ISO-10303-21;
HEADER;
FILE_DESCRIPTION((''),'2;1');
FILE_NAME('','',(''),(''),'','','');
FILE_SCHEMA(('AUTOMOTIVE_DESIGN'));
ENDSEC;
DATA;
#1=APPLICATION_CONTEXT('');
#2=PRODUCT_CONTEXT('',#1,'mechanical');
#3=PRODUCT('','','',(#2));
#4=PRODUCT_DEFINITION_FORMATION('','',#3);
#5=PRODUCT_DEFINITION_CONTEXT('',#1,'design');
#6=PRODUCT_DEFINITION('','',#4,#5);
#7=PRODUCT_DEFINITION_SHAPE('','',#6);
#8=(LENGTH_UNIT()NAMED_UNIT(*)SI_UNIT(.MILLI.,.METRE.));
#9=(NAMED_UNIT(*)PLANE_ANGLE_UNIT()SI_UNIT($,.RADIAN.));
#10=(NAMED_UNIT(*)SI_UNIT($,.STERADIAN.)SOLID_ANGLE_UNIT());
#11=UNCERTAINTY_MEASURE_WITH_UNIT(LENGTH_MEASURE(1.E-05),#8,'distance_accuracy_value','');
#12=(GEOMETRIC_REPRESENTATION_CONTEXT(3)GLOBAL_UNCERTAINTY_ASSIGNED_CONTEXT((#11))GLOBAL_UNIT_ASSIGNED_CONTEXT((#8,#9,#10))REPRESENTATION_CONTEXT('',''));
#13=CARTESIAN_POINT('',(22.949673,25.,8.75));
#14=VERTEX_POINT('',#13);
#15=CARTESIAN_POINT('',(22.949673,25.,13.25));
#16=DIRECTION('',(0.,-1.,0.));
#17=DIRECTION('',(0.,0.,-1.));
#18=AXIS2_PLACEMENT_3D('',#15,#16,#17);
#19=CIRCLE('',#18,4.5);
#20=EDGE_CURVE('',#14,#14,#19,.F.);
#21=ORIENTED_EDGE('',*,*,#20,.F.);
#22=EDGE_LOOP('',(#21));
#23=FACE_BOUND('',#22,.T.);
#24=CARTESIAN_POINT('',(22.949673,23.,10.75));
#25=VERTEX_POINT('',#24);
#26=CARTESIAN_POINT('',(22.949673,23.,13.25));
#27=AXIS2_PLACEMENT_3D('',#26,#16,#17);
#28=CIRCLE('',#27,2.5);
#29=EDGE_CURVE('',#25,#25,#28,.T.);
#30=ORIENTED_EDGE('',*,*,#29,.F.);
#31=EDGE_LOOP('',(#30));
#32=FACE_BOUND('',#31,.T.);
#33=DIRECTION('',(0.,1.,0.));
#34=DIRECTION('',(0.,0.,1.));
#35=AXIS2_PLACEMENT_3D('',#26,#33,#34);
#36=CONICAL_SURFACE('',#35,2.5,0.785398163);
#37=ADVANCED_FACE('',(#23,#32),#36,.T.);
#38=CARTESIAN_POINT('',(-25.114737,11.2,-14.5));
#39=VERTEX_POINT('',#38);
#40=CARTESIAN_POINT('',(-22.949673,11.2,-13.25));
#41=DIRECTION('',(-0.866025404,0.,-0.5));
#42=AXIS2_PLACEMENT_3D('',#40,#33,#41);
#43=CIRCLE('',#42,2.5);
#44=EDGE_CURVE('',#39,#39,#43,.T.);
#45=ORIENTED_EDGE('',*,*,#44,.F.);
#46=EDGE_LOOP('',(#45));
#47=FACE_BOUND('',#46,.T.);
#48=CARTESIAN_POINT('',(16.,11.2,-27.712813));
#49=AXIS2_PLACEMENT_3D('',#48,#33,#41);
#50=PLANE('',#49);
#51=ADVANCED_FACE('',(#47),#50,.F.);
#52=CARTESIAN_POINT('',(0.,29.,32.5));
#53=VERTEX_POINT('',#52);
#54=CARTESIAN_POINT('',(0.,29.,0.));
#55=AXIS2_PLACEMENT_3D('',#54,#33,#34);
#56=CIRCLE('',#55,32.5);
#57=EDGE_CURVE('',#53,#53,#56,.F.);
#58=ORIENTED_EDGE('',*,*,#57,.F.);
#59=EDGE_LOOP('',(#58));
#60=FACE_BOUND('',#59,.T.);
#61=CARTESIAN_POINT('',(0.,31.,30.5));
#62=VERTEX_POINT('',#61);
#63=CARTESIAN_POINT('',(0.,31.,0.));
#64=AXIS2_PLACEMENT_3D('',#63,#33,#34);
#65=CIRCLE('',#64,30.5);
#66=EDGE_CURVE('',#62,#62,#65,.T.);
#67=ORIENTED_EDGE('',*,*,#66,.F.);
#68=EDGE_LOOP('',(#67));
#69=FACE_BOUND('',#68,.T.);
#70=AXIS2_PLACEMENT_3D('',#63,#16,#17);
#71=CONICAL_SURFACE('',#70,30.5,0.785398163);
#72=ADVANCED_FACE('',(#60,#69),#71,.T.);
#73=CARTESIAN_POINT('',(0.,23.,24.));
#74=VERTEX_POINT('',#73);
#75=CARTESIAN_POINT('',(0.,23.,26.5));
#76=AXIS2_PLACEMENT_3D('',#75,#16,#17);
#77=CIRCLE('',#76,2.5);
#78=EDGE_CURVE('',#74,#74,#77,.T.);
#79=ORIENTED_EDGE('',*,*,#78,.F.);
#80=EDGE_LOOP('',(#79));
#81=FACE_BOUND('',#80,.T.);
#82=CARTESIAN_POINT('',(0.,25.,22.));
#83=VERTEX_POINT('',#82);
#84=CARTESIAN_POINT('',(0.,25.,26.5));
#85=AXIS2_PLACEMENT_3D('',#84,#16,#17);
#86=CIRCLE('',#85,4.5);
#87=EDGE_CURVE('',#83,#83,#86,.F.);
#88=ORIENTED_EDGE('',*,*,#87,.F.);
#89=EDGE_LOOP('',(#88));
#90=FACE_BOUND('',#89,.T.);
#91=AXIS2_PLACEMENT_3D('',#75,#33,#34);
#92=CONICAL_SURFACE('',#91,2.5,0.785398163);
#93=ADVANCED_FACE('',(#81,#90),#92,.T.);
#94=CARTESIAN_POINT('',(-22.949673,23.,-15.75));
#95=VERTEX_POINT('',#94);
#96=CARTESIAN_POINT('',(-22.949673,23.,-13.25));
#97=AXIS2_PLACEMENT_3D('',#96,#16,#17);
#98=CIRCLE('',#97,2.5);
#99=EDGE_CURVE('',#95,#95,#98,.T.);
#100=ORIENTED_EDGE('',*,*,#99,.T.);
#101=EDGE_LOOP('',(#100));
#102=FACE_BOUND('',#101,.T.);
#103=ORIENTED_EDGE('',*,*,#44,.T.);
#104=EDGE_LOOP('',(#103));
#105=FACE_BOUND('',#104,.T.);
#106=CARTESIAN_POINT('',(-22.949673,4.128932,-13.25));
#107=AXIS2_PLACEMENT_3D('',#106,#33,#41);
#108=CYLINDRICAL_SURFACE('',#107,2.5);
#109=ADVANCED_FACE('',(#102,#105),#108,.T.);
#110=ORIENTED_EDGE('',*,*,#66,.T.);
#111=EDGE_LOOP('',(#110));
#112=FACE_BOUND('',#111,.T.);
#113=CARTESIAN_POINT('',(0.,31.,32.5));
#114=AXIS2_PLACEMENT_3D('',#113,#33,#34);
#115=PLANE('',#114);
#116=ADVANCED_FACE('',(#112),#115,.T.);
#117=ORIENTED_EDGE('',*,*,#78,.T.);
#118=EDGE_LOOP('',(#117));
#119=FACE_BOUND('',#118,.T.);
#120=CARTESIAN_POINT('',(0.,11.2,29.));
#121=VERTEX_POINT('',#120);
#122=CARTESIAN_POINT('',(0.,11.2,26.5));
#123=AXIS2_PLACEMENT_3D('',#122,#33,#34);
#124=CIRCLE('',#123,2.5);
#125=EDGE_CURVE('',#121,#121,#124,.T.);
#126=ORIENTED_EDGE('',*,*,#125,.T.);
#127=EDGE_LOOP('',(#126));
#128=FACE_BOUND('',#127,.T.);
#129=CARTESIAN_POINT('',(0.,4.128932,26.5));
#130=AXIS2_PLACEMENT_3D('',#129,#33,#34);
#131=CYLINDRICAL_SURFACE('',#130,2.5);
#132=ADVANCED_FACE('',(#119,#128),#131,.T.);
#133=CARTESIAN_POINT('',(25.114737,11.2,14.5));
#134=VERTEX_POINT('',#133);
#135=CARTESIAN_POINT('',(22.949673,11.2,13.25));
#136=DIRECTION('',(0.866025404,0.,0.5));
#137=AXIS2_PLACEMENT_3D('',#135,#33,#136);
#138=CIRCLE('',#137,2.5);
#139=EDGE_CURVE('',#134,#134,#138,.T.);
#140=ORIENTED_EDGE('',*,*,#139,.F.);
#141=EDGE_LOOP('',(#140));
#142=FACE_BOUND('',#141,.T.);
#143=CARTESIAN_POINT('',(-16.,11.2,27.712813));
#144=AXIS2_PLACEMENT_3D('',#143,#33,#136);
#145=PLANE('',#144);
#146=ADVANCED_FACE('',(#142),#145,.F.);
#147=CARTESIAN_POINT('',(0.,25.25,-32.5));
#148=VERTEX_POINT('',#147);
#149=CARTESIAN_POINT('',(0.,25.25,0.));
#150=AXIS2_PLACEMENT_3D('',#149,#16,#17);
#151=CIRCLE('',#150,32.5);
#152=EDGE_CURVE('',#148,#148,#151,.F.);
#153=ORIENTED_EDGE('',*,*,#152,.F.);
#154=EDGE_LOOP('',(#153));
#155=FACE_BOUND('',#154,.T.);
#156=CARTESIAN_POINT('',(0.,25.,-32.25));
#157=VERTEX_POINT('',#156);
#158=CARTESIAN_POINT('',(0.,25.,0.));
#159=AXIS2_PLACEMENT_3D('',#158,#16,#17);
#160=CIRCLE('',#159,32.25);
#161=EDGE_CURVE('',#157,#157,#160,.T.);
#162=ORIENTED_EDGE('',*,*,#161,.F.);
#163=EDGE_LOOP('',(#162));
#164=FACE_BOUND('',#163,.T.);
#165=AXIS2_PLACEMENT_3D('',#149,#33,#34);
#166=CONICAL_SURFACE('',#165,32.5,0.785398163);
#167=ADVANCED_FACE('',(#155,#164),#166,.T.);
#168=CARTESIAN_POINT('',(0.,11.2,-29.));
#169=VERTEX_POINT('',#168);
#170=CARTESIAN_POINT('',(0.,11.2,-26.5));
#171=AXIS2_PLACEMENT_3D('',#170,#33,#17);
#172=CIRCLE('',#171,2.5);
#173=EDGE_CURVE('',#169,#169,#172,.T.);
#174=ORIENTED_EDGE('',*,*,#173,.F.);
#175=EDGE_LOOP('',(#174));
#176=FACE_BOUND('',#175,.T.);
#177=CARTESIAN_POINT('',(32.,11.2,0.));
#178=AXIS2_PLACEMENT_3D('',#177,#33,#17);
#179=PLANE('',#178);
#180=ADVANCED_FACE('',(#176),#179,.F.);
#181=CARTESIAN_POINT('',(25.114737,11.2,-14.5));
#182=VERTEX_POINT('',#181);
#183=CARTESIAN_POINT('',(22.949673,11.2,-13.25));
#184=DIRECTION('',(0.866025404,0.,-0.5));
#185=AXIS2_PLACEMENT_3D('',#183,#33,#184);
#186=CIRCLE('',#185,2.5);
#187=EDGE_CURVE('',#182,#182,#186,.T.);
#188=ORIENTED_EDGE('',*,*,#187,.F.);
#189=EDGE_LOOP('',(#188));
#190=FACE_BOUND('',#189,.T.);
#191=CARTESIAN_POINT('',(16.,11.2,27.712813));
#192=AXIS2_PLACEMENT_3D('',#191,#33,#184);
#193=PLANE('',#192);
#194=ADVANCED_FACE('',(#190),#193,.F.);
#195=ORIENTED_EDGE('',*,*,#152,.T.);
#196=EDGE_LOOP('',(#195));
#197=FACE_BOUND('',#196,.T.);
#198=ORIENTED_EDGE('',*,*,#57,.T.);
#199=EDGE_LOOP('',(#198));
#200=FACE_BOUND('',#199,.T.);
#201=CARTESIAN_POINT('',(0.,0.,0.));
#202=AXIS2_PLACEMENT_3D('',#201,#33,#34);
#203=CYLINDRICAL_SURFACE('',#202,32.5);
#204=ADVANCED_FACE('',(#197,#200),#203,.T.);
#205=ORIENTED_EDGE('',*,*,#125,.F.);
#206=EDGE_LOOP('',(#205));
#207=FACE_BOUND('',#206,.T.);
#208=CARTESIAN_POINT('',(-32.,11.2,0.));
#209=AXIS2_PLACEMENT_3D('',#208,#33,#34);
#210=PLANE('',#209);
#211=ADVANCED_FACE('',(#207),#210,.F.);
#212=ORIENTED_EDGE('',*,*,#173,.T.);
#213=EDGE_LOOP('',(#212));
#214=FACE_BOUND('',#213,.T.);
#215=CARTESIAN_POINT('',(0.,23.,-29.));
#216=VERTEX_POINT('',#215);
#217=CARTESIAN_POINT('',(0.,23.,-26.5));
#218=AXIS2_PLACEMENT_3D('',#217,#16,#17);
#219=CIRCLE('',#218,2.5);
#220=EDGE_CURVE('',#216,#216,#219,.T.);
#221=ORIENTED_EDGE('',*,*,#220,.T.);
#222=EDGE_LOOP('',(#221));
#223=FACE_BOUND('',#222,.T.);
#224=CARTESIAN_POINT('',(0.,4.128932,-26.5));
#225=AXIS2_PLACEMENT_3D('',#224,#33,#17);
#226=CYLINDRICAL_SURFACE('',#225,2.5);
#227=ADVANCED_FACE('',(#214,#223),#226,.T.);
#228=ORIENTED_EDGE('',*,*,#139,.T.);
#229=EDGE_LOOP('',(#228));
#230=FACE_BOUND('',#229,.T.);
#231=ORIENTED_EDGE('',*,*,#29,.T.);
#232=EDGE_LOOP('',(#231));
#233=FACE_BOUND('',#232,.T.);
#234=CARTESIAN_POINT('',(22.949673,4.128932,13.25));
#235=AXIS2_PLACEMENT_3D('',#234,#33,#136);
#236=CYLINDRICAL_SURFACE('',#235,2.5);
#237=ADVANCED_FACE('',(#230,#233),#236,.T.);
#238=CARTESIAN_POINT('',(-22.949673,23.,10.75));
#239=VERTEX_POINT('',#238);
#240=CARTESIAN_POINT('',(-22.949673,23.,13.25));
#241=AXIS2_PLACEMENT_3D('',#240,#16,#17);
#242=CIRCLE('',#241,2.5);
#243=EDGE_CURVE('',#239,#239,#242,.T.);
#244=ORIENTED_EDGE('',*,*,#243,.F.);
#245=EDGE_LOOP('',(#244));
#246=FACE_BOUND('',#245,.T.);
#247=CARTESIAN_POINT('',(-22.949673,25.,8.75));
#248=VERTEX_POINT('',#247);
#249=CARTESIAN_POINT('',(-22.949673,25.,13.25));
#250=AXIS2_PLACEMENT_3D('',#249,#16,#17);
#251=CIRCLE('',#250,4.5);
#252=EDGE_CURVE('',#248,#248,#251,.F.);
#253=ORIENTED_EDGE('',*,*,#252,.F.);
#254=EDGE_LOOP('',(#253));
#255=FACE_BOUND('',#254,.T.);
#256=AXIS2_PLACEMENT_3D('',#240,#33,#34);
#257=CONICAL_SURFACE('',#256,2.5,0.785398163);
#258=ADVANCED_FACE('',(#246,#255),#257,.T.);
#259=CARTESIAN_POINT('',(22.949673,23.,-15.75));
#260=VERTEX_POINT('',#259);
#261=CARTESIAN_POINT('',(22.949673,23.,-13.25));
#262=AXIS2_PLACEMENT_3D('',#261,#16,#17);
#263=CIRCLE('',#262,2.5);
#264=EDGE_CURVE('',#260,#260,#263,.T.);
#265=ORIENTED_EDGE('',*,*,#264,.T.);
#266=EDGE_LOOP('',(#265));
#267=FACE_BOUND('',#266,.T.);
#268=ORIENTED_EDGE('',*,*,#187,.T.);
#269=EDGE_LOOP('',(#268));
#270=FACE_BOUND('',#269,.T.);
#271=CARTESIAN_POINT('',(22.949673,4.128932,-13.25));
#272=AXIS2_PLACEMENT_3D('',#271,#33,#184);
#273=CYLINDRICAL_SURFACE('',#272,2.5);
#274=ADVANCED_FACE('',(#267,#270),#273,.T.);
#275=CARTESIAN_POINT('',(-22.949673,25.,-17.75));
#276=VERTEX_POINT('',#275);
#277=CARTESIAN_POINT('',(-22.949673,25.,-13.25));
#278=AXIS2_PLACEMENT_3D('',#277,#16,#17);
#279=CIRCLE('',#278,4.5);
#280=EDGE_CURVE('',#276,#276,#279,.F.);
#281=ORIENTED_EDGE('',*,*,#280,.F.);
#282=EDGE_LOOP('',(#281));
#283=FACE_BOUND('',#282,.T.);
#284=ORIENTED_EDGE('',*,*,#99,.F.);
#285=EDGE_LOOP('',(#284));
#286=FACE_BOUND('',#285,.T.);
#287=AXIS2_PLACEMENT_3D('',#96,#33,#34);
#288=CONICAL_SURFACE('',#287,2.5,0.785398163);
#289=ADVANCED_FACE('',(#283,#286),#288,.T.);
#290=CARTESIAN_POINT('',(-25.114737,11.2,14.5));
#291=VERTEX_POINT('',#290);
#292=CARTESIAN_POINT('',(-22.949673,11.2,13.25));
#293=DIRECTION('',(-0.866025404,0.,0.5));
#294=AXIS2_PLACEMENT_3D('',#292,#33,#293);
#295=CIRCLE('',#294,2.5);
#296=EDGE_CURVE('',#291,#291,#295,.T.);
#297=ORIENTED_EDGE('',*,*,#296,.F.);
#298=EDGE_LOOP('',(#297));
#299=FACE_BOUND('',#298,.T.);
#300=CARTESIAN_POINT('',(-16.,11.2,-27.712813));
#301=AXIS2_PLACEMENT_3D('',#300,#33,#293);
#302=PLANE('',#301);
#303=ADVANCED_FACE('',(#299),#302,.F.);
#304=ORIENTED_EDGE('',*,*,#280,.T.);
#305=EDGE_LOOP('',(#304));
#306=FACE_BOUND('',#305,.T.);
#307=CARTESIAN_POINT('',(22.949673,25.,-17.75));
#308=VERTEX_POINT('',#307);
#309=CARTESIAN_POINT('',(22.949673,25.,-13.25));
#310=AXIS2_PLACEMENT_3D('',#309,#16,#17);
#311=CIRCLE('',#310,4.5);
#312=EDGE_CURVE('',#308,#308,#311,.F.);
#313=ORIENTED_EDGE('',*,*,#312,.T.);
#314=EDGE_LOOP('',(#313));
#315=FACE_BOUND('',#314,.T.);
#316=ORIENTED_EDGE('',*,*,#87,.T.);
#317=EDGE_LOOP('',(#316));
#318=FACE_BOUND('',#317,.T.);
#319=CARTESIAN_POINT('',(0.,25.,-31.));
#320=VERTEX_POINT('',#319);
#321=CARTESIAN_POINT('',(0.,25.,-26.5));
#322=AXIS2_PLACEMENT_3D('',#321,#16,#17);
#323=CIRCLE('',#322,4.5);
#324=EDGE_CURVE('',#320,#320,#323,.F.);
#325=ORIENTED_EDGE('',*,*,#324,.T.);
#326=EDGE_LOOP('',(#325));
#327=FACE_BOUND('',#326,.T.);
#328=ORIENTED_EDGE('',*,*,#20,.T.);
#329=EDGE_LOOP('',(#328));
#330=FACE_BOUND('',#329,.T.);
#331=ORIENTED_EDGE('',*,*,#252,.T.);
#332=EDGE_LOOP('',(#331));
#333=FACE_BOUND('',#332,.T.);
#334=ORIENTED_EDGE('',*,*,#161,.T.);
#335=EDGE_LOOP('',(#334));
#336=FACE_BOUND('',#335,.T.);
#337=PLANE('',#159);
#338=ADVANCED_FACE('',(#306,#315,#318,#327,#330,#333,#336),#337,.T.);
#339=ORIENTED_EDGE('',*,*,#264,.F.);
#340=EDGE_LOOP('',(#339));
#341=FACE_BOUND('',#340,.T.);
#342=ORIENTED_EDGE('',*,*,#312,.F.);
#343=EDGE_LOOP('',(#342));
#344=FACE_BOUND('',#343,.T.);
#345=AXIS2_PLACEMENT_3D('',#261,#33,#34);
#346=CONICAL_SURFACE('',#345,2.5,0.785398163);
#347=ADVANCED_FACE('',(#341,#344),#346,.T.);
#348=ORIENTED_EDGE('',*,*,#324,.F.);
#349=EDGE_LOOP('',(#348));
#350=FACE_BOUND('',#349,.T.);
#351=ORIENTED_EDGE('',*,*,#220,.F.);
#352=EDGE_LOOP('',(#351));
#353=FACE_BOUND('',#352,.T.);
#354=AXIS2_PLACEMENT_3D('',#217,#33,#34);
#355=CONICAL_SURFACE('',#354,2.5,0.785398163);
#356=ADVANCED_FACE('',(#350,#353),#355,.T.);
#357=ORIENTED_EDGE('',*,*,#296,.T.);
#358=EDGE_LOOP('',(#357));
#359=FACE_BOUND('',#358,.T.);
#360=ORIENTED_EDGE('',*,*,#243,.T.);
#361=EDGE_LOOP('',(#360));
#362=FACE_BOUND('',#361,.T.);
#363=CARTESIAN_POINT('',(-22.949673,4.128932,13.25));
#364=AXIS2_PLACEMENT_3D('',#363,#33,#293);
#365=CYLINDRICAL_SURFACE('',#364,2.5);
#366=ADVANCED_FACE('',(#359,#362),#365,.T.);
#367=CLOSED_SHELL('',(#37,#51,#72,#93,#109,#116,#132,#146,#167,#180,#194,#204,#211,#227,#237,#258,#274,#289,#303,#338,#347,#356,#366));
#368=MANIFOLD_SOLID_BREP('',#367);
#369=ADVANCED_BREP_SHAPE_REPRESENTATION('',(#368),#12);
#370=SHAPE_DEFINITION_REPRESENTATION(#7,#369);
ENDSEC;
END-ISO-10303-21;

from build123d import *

# Parameters (mm, degrees)
SKETCH3_W           = 32.5
SKETCH3_H           = 6
CHAMFER2_SIZE       = 2
SKETCH4_R           = 2.5
BOSS_EXTRUDE1_DEPTH = 13.8
CIRPATTERN1_COUNT   = 6
CHAMFER3_SIZE       = 2
CHAMFER4_SIZE       = 0.25


with BuildPart() as part:
    # Sketch3 → Revolve1 (revolve)
    with BuildSketch(Plane(origin=(0, 0, 0), x_dir=(0, 0, -1), z_dir=(1, 0, 0))):
        with Locations((-16.25, 28)):
            Rectangle(SKETCH3_W, SKETCH3_H)
    revolve(axis=Axis((0, 0, 0), (0, -1, 0)))

    # Chamfer2
    chamfer2_edges = [part.edges().sort_by_distance(p)[0] for p in [
        (0, 31, -32.5),
    ]]
    chamfer(chamfer2_edges, length=CHAMFER2_SIZE)

    # Sketch4 → Boss-Extrude1 (add)
    with BuildSketch(Plane.XZ.offset(-25)):
        with Locations(Location((0, 26.5, 0), (0, 0, 90))):
            Circle(SKETCH4_R)
    boss_extrude1 = extrude(amount=BOSS_EXTRUDE1_DEPTH)

    # CirPattern1: Boss-Extrude1 ×6 about axis
    cirpattern1_axis = Axis((0, 0, 0), (0, 1, 0))
    for i in range(1, CIRPATTERN1_COUNT):
        add(boss_extrude1.rotate(cirpattern1_axis, i * 360 / CIRPATTERN1_COUNT))

    # Chamfer3
    chamfer3_edges = [part.edges().sort_by_distance(p)[0] for p in [
        (0, 25, 24),
        (20.784609691, 25, 12),
        (20.784609691, 25, -12),
        (0, 25, -24),
        (-20.784609691, 25, -12),
        (-20.784609691, 25, 12),
    ]]
    chamfer(chamfer3_edges, length=CHAMFER3_SIZE)

    # Chamfer4
    chamfer4_edges = [part.edges().sort_by_distance(p)[0] for p in [
        (0, 25, -32.5),
    ]]
    chamfer(chamfer4_edges, length=CHAMFER4_SIZE)


solid = part.part
